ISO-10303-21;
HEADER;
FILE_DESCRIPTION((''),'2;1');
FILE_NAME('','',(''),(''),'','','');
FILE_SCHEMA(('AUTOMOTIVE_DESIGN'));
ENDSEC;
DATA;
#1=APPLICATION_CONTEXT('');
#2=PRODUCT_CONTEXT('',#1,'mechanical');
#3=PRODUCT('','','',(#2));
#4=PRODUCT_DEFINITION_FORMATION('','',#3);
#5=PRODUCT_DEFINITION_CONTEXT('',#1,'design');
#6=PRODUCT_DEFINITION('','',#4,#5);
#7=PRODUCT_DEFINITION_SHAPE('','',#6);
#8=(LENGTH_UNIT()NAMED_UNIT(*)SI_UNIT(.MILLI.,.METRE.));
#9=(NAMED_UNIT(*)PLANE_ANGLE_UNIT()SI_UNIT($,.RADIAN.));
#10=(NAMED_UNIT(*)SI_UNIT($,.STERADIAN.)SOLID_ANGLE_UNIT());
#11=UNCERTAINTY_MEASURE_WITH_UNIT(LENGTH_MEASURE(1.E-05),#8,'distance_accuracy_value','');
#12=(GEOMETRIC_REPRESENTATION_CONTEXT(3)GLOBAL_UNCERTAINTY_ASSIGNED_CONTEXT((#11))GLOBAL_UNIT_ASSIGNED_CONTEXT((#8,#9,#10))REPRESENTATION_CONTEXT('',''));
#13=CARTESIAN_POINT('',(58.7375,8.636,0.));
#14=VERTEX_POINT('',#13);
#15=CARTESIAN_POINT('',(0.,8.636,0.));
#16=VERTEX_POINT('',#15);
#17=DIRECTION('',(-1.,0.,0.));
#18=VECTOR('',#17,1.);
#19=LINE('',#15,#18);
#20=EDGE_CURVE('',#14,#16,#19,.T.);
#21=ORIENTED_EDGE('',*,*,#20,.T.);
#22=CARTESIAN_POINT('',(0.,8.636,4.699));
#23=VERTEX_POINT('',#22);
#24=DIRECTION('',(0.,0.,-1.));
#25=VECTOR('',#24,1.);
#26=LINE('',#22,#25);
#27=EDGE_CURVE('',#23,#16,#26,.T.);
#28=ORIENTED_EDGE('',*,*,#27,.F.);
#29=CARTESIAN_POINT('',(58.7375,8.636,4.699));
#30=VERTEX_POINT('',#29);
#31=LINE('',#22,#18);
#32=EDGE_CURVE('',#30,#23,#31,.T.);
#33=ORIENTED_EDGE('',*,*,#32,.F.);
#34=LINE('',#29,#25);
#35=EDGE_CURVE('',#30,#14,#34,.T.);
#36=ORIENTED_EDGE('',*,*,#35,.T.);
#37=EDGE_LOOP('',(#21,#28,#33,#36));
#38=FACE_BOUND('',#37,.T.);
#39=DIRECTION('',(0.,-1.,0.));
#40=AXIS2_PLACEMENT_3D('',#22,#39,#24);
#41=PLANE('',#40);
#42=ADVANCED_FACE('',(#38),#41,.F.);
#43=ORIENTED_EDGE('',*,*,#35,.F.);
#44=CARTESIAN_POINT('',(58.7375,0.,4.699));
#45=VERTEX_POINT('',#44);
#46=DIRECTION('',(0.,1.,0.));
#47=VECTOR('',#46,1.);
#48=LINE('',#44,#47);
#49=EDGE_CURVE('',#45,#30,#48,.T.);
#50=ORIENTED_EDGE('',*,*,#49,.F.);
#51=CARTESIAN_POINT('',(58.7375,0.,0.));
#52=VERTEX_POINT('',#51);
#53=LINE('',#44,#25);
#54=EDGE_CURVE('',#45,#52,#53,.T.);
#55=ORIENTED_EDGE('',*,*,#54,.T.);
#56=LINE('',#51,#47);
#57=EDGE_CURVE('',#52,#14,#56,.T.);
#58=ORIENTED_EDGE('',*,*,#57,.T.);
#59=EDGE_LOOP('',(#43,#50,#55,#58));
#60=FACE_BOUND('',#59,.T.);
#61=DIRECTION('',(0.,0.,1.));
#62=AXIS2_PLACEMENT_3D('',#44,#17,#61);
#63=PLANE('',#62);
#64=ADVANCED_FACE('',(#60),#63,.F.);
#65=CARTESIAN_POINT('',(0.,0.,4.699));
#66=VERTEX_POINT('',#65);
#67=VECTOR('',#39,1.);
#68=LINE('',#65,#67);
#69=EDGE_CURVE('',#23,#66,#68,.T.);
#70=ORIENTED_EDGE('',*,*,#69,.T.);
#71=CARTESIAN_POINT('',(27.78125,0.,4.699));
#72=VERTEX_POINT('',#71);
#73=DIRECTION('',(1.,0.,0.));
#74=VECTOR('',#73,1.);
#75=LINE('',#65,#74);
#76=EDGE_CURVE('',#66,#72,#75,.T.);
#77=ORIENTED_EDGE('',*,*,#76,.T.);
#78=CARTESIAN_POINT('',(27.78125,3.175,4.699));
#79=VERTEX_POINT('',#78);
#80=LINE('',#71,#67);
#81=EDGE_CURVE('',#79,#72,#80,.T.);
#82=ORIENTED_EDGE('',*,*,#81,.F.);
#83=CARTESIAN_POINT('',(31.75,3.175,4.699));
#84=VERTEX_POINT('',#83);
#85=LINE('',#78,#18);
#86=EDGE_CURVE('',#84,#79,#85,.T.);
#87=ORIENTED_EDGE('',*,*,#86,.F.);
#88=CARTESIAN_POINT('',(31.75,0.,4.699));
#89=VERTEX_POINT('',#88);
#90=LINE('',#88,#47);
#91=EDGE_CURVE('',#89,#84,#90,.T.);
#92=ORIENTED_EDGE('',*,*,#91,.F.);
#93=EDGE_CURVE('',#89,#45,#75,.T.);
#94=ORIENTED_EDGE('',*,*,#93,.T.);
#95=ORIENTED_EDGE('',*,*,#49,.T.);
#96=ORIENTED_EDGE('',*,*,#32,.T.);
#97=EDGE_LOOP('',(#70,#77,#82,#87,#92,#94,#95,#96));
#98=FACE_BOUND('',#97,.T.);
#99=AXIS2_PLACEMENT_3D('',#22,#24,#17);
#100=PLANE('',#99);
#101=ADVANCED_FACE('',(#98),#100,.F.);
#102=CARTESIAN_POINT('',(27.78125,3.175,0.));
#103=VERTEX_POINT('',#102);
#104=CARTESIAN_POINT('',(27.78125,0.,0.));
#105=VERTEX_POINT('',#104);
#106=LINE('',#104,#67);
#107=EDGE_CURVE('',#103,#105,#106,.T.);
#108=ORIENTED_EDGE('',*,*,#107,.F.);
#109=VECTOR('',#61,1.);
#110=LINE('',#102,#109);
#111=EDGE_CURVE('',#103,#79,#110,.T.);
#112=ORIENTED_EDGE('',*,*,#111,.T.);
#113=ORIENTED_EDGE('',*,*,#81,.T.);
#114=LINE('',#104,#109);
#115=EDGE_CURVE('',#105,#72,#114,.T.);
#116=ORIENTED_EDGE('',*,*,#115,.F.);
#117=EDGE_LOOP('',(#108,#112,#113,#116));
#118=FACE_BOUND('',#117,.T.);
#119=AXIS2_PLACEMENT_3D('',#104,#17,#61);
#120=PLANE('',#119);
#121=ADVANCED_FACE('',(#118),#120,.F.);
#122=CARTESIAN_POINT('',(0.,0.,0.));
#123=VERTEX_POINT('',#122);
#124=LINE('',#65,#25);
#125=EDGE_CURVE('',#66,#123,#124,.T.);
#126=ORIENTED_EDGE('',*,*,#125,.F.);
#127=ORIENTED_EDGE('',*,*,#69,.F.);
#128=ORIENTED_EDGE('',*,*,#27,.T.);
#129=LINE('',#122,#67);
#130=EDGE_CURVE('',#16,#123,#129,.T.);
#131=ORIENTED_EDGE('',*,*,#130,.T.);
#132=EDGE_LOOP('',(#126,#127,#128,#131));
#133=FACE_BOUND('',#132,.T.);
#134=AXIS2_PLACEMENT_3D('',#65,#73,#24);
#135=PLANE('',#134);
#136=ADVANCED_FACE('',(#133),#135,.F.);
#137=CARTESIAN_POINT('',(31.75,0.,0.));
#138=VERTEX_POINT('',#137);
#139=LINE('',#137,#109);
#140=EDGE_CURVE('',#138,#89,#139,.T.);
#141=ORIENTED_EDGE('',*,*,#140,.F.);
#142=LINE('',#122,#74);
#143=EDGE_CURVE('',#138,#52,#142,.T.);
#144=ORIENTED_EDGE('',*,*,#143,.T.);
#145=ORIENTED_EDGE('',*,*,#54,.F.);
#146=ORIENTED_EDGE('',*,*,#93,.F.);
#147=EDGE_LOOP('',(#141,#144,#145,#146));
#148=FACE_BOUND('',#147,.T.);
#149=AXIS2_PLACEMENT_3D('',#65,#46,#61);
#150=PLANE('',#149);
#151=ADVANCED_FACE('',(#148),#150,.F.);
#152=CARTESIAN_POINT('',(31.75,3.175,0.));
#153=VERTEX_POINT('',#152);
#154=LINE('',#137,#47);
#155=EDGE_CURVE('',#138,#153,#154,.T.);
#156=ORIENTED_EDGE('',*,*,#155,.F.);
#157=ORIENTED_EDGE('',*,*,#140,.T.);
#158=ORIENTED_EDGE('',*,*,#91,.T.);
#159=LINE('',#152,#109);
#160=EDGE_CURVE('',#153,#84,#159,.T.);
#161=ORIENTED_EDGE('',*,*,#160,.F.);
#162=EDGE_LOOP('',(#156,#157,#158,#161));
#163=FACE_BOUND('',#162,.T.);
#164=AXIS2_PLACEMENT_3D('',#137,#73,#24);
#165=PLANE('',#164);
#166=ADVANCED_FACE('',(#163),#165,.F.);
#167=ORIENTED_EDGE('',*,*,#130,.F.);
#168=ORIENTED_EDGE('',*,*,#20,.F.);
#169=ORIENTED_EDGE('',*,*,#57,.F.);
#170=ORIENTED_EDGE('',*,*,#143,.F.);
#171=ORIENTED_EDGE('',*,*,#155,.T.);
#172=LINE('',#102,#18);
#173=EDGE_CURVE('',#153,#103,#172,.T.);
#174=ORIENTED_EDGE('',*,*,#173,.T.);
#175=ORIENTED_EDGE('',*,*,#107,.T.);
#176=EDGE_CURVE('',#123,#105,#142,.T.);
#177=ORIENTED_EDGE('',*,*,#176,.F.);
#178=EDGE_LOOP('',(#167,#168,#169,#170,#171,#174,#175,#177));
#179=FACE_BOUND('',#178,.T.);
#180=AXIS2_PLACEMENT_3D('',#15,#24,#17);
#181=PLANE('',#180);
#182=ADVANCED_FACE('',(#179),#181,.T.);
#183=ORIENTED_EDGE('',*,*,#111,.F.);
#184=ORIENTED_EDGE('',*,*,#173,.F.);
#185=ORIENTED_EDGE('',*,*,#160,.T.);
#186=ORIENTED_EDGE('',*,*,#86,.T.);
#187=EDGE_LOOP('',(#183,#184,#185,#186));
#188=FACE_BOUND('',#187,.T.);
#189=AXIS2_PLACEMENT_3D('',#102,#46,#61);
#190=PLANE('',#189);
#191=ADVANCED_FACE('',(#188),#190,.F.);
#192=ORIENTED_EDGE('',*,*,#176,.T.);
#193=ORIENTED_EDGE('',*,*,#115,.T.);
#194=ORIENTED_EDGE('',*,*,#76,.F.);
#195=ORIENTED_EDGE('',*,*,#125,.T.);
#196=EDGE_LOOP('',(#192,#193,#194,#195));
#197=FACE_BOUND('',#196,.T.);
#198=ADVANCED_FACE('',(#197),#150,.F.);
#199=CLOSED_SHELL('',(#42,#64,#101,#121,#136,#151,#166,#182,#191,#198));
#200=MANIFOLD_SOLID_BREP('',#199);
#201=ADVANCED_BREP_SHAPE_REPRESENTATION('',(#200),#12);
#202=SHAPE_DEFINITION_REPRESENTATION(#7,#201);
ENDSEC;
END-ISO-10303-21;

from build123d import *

# Parameters (mm, degrees)
SKETCH1_W          = 58.7375
SKETCH1_H          = 8.636
EXTRUDE1_DEPTH     = 4.699
SKETCH3_W          = 3.96875
SKETCH3_H          = 3.175
CUT_EXTRUDE1_DEPTH = 5.699


with BuildPart() as part:
    # Sketch1 → Extrude1 (new body)
    with BuildSketch(Plane.XY):
        with Locations((29.36875, 4.318)):
            Rectangle(SKETCH1_W, SKETCH1_H)
    extrude(amount=EXTRUDE1_DEPTH)

    # Sketch3 → Cut-Extrude1 (cut, through all)
    with BuildSketch(Plane.XY.offset(4.699)):
        with Locations((29.765625, 1.5875)):
            Rectangle(SKETCH3_W, SKETCH3_H)
    extrude(amount=-CUT_EXTRUDE1_DEPTH, mode=Mode.SUBTRACT)


solid = part.part
